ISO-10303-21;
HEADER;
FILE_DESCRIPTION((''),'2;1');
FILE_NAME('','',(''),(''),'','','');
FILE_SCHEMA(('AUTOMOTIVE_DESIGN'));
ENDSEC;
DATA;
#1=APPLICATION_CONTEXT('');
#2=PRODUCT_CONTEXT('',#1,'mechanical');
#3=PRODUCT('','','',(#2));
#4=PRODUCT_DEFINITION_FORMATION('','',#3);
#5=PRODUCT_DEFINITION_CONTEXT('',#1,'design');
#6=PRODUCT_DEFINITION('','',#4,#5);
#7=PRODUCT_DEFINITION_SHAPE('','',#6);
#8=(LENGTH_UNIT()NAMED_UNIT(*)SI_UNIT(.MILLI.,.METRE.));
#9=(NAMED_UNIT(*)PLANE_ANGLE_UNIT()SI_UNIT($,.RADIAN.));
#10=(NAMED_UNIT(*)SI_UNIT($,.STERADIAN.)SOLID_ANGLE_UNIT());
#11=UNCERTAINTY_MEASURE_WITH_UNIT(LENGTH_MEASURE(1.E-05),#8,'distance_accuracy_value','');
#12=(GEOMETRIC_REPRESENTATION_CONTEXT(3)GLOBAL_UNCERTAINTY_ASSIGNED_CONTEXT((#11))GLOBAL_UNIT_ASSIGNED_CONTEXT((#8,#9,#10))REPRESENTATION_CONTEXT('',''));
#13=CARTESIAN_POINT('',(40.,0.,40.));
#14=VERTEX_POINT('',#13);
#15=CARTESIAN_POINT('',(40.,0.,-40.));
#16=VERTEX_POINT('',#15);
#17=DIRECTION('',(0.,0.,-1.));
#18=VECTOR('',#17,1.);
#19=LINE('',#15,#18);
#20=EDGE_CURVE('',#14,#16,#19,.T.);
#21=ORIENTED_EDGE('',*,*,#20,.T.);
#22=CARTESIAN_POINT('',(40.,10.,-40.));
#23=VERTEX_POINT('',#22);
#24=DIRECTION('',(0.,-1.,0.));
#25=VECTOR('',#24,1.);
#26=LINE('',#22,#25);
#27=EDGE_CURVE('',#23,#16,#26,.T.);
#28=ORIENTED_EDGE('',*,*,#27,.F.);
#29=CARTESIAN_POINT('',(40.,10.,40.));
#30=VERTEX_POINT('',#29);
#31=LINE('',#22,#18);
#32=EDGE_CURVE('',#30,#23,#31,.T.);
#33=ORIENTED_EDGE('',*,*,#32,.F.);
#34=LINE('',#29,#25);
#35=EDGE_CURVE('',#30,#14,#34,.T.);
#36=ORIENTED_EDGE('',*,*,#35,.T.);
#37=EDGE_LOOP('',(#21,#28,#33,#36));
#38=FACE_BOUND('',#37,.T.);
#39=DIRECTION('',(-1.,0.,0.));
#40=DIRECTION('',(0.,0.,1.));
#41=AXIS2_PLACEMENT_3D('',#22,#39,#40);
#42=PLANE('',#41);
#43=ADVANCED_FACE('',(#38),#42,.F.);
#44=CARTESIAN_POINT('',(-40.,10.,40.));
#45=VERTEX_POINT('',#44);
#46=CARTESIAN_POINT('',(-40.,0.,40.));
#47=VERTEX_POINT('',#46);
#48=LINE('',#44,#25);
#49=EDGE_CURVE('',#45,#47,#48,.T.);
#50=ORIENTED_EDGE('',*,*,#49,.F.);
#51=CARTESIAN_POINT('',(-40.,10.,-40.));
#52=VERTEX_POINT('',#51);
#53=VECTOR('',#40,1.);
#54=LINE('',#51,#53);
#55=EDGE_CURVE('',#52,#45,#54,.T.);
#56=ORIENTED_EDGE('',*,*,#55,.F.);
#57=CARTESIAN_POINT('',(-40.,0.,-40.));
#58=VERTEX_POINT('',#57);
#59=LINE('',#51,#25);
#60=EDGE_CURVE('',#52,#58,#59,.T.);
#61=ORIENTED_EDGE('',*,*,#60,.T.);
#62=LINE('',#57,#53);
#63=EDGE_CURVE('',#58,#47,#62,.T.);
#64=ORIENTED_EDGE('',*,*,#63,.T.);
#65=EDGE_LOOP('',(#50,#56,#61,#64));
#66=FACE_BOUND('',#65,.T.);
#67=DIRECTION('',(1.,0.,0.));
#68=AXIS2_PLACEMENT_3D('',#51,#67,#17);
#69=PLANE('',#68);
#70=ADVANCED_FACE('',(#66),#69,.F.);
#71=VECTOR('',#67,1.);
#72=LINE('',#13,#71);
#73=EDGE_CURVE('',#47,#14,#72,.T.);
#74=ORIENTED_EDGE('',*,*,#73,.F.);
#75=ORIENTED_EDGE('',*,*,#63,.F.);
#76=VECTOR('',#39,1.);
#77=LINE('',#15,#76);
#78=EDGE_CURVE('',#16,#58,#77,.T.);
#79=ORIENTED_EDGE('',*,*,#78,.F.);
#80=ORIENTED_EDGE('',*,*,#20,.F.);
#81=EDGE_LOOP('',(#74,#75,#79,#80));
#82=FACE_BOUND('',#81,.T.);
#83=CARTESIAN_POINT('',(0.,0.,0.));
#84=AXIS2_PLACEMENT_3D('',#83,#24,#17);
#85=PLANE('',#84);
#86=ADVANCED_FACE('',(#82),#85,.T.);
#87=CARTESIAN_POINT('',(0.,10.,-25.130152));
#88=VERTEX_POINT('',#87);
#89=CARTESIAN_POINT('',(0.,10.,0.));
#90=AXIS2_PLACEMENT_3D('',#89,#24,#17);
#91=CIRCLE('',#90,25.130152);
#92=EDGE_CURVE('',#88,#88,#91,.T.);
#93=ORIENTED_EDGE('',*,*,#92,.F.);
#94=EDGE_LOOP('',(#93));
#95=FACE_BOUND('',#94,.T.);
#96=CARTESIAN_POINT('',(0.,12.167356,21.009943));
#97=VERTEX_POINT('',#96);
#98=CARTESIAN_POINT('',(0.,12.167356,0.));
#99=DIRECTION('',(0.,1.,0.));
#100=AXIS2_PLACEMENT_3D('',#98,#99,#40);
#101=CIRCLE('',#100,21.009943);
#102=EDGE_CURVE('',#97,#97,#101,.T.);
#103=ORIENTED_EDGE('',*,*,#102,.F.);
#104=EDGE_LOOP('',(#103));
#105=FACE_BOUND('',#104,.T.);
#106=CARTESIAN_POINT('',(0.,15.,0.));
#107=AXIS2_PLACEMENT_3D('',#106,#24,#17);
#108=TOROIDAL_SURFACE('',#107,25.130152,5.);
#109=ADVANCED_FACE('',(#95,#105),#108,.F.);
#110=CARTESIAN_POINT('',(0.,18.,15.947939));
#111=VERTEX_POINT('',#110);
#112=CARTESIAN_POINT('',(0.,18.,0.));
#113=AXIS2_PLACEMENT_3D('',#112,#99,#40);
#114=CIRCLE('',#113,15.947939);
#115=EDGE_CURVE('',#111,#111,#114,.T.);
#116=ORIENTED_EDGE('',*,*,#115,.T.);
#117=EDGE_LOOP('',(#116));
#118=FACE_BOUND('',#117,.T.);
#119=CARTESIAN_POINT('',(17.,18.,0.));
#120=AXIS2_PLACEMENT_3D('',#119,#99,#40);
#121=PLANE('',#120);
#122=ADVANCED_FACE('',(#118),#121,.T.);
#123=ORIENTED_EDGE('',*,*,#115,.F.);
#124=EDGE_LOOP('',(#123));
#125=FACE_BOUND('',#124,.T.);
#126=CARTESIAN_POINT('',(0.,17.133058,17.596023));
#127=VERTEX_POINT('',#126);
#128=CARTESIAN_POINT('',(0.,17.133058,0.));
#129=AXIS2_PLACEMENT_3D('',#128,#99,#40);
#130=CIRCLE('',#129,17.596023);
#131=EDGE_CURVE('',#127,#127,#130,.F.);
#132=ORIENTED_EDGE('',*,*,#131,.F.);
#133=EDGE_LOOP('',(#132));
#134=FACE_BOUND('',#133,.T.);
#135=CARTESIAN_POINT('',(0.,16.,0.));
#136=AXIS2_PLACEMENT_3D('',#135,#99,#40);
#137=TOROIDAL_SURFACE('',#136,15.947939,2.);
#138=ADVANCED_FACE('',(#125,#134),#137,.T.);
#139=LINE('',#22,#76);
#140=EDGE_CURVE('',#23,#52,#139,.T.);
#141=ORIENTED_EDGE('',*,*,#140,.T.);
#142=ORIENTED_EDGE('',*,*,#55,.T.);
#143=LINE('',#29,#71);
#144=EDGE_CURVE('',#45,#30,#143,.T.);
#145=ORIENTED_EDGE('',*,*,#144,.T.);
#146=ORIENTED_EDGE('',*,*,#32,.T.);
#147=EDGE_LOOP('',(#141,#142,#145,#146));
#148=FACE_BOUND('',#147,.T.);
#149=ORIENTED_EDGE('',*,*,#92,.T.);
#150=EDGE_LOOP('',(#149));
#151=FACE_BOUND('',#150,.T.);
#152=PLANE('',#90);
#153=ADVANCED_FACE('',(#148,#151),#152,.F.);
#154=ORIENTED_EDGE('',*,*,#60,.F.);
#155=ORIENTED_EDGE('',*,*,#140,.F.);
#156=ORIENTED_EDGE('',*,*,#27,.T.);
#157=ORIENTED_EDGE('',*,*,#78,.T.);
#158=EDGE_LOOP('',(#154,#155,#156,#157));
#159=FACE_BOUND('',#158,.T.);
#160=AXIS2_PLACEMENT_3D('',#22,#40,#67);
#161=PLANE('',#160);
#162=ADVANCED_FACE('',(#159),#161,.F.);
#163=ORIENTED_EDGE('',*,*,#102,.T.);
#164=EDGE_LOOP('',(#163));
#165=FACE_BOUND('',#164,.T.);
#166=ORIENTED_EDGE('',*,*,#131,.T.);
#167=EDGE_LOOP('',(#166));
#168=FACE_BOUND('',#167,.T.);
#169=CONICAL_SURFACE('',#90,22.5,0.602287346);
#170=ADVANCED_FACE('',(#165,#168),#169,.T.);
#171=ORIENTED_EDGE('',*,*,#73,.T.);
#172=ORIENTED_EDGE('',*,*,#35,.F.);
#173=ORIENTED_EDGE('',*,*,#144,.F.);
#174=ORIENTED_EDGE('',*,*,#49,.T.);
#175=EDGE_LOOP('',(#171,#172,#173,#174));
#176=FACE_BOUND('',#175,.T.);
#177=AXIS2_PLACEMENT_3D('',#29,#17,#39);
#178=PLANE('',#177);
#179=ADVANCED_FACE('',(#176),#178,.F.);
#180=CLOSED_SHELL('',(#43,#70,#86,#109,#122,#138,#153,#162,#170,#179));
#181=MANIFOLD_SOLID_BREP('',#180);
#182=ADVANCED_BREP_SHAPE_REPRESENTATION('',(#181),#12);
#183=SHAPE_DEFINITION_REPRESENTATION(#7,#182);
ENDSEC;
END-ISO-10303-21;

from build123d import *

# Parameters (mm, degrees)
SKETCH_1_W      = 80
SKETCH_1_H      = 80
EXTRUDE_1_DEPTH = 10
FILLET_1_R      = 5
FILLET_2_R      = 2


with BuildPart() as part:
    # 草图1 → 凸台-拉伸1 (new body)
    with BuildSketch(Plane(origin=(0, 0, 0), x_dir=(1, 0, 0), z_dir=(0, 1, 0))):
        Rectangle(SKETCH_1_W, SKETCH_1_H)
    extrude(amount=EXTRUDE_1_DEPTH)

    # 草图2 → 旋转1 (revolve)
    with BuildSketch(Plane.XY):
        Polygon((0, 18), (0, 10), (22.5, 10), (17, 18), align=None)
    revolve(axis=Axis((0, 0, 0), (0, 1, 0)))

    # 圆角1
    fillet_1_edges = [part.edges().sort_by_distance(p)[0] for p in [
        (-22.5, 10, 0),
    ]]
    fillet(fillet_1_edges, radius=FILLET_1_R)

    # 圆角2
    fillet_2_edges = [part.edges().sort_by_distance(p)[0] for p in [
        (-17, 18, 0),
    ]]
    fillet(fillet_2_edges, radius=FILLET_2_R)


solid = part.part
